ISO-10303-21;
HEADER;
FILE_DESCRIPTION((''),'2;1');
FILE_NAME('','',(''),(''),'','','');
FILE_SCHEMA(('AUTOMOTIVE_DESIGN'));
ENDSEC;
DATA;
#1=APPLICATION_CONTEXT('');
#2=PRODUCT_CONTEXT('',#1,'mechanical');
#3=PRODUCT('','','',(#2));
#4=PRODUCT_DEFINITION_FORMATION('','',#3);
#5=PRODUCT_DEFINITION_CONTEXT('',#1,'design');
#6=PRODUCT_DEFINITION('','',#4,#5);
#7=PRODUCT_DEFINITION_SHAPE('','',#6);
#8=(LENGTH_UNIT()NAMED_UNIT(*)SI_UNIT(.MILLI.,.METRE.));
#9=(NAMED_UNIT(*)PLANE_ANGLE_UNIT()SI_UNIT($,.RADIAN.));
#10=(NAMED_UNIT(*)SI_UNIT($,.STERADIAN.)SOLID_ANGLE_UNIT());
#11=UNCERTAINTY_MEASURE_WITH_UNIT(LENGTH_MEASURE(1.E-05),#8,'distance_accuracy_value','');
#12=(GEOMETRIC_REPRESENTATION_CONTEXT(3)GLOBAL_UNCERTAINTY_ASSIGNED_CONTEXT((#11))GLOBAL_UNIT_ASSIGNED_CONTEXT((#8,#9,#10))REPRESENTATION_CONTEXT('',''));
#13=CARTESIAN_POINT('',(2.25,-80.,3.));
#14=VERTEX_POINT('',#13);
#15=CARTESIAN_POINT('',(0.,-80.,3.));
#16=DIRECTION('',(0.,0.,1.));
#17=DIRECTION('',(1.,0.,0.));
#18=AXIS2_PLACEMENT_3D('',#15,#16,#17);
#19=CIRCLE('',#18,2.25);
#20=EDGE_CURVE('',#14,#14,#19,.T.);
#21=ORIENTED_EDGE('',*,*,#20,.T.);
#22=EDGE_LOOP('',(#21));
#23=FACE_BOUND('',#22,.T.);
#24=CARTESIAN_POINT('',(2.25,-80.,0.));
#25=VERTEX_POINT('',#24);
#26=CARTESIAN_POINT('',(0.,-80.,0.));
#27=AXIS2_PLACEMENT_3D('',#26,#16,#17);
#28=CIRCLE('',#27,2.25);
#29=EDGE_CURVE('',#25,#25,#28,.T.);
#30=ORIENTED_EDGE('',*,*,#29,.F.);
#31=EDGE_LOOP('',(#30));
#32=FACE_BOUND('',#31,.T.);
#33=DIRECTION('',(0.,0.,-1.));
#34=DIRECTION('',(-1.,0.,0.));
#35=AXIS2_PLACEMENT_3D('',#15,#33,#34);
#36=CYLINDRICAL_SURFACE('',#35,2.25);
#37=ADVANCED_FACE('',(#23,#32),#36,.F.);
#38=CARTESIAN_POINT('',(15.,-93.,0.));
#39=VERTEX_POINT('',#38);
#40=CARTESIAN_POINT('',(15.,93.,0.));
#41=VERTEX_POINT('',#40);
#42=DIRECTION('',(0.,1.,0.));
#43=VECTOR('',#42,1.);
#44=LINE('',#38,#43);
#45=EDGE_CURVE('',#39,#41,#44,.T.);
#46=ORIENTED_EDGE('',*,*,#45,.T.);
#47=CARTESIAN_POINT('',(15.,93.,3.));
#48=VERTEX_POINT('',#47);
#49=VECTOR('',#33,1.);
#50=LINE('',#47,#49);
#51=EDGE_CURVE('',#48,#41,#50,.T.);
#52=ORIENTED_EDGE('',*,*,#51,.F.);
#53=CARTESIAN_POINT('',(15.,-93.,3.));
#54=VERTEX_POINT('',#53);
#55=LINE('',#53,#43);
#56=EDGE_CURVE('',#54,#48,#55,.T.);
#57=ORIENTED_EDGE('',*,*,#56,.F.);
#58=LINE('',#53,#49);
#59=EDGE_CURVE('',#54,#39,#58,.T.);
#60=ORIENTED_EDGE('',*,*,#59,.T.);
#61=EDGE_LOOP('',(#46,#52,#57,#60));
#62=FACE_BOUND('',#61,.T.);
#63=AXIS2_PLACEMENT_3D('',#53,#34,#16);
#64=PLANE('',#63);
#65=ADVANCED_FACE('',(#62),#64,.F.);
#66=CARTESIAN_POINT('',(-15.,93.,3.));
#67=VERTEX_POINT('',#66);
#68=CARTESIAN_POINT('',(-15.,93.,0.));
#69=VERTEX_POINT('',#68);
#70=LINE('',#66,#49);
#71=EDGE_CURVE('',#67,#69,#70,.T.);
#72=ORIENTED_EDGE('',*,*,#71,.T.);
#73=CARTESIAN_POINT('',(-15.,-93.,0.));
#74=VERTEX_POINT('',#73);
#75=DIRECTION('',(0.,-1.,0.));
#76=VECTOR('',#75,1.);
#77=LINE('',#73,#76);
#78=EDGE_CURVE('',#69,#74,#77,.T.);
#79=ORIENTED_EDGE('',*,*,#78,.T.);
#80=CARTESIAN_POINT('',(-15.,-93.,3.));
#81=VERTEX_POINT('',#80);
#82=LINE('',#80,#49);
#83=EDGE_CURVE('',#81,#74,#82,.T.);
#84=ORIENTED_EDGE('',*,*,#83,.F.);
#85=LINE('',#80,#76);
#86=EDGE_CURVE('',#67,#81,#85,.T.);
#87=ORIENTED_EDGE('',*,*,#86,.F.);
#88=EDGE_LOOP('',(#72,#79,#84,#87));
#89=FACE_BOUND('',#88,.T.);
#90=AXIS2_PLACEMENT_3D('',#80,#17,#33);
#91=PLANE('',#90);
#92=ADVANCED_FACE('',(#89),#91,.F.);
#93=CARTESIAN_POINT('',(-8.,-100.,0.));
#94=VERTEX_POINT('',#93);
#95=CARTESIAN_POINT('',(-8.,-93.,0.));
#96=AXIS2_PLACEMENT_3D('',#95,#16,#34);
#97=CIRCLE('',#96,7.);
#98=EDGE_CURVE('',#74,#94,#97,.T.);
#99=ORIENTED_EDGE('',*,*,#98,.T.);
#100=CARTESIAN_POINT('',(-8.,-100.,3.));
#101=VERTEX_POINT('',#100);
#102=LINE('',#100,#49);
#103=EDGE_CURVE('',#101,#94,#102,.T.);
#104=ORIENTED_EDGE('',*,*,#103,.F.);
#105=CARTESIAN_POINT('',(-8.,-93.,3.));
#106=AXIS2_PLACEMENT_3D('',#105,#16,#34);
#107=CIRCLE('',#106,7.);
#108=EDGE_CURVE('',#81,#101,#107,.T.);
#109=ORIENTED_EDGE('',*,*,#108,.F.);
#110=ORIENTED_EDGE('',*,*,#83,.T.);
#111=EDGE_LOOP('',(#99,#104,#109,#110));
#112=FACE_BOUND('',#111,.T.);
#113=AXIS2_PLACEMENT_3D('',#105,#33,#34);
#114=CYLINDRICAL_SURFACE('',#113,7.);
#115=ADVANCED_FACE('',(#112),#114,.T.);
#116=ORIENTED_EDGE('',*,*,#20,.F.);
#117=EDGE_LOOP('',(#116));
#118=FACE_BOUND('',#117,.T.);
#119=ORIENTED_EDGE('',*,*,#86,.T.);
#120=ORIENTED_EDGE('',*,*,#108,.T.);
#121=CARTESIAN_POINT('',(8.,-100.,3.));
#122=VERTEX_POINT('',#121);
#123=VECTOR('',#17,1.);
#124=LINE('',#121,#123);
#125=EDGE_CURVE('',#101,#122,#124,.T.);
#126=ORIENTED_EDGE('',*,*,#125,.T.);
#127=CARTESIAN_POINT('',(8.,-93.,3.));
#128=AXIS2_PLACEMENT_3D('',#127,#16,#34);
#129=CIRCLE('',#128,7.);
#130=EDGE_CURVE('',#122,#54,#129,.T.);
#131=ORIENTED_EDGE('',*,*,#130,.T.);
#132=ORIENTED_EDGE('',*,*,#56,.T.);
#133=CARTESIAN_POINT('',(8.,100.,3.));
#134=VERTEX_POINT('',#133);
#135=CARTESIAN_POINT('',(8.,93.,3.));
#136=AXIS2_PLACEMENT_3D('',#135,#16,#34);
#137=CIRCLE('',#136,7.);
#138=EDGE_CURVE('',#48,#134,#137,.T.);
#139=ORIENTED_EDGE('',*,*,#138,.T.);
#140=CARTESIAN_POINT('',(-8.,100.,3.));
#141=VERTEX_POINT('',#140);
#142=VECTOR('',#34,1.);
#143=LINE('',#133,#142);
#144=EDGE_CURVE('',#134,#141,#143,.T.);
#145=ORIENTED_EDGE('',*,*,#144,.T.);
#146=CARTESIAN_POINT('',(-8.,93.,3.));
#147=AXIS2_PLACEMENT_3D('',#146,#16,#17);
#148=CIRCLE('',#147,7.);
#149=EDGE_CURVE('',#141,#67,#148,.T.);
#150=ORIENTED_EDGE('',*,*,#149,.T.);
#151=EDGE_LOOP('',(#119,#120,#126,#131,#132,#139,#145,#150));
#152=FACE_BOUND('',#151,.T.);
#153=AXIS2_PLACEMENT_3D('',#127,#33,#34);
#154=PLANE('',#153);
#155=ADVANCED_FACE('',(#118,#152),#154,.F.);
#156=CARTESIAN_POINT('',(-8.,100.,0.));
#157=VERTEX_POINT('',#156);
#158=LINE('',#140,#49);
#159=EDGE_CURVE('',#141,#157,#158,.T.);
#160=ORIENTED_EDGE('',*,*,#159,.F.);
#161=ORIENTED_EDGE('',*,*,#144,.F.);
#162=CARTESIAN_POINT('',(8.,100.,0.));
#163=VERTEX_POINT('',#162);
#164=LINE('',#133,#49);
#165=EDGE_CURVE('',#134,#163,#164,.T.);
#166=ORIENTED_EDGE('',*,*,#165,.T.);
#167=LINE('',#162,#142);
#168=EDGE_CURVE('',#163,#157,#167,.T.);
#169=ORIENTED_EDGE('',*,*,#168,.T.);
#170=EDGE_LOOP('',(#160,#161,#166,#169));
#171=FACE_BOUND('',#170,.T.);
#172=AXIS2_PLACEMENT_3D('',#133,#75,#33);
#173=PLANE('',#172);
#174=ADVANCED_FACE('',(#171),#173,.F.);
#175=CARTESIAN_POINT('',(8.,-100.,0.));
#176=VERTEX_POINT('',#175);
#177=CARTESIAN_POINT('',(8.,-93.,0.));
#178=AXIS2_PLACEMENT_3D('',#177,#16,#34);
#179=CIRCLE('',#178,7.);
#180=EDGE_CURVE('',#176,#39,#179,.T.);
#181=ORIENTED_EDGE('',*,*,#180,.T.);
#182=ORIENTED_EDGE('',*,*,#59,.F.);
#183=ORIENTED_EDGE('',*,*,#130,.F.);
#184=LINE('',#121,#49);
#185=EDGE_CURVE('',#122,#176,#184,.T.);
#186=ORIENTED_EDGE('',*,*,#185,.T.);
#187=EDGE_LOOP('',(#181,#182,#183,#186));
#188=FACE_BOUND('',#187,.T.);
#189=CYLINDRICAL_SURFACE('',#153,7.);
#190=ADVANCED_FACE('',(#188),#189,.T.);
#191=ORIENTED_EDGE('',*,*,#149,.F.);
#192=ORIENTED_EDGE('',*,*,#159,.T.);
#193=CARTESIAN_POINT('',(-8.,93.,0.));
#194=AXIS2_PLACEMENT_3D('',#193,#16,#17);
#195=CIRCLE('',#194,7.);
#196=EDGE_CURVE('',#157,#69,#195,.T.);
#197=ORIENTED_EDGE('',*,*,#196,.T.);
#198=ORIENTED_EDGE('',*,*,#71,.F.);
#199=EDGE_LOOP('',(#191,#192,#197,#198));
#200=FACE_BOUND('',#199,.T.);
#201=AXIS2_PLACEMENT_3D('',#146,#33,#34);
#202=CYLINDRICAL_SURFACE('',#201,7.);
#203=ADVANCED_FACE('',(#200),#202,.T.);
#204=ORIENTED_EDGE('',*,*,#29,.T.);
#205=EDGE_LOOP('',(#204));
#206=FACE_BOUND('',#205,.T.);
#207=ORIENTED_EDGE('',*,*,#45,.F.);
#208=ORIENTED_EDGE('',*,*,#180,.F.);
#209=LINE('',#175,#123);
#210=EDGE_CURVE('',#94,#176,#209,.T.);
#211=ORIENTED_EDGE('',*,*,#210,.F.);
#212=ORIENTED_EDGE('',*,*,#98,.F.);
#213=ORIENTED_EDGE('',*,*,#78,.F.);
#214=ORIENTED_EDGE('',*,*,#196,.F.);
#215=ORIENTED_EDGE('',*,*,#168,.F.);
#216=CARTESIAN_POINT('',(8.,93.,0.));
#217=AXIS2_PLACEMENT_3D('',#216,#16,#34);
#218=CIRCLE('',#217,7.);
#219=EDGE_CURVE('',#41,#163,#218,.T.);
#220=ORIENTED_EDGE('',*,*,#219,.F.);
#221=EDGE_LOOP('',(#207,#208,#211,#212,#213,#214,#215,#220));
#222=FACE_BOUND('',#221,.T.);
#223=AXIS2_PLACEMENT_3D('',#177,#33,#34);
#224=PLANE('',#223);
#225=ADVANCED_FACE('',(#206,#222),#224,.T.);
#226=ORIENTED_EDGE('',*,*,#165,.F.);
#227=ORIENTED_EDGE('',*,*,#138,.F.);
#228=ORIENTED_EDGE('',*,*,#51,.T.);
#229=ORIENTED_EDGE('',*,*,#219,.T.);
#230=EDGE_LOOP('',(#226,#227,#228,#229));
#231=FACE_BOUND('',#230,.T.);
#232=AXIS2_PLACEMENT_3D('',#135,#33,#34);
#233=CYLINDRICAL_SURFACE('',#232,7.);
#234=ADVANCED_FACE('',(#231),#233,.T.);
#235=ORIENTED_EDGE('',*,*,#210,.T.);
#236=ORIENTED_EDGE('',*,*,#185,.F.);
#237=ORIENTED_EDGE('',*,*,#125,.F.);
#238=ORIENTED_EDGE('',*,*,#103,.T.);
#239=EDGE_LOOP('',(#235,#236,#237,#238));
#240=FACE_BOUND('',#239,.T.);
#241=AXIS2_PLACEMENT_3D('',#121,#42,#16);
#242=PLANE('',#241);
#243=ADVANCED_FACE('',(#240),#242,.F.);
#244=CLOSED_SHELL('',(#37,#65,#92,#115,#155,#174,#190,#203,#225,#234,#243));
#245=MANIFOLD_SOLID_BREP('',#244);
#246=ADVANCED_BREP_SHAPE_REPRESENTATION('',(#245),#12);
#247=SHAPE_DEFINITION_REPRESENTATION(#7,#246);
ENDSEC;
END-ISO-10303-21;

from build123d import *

# Parameters (mm, degrees)
SKETCH2_R           = 2.25
BOSS_EXTRUDE1_DEPTH = 3


with BuildPart() as part:
    # Sketch2 → Boss-Extrude1 (new body)
    with BuildSketch(Plane.XY):
        with BuildLine():
            Line((8, -100), (-8, -100))
            ThreePointArc((-8, -100), (-12.949747468, -97.949747468), (-15, -93))
            Line((-15, -93), (-15, 93))
            ThreePointArc((-15, 93), (-12.949747468, 97.949747468), (-8, 100))
            Line((-8, 100), (8, 100))
            ThreePointArc((8, 100), (12.949747468, 97.949747468), (15, 93))
            Line((15, 93), (15, -93))
            ThreePointArc((15, -93), (12.949747468, -97.949747468), (8, -100))
        make_face()
        with Locations((0, -80)):
            Circle(SKETCH2_R, mode=Mode.SUBTRACT)
    extrude(amount=BOSS_EXTRUDE1_DEPTH)


solid = part.part
